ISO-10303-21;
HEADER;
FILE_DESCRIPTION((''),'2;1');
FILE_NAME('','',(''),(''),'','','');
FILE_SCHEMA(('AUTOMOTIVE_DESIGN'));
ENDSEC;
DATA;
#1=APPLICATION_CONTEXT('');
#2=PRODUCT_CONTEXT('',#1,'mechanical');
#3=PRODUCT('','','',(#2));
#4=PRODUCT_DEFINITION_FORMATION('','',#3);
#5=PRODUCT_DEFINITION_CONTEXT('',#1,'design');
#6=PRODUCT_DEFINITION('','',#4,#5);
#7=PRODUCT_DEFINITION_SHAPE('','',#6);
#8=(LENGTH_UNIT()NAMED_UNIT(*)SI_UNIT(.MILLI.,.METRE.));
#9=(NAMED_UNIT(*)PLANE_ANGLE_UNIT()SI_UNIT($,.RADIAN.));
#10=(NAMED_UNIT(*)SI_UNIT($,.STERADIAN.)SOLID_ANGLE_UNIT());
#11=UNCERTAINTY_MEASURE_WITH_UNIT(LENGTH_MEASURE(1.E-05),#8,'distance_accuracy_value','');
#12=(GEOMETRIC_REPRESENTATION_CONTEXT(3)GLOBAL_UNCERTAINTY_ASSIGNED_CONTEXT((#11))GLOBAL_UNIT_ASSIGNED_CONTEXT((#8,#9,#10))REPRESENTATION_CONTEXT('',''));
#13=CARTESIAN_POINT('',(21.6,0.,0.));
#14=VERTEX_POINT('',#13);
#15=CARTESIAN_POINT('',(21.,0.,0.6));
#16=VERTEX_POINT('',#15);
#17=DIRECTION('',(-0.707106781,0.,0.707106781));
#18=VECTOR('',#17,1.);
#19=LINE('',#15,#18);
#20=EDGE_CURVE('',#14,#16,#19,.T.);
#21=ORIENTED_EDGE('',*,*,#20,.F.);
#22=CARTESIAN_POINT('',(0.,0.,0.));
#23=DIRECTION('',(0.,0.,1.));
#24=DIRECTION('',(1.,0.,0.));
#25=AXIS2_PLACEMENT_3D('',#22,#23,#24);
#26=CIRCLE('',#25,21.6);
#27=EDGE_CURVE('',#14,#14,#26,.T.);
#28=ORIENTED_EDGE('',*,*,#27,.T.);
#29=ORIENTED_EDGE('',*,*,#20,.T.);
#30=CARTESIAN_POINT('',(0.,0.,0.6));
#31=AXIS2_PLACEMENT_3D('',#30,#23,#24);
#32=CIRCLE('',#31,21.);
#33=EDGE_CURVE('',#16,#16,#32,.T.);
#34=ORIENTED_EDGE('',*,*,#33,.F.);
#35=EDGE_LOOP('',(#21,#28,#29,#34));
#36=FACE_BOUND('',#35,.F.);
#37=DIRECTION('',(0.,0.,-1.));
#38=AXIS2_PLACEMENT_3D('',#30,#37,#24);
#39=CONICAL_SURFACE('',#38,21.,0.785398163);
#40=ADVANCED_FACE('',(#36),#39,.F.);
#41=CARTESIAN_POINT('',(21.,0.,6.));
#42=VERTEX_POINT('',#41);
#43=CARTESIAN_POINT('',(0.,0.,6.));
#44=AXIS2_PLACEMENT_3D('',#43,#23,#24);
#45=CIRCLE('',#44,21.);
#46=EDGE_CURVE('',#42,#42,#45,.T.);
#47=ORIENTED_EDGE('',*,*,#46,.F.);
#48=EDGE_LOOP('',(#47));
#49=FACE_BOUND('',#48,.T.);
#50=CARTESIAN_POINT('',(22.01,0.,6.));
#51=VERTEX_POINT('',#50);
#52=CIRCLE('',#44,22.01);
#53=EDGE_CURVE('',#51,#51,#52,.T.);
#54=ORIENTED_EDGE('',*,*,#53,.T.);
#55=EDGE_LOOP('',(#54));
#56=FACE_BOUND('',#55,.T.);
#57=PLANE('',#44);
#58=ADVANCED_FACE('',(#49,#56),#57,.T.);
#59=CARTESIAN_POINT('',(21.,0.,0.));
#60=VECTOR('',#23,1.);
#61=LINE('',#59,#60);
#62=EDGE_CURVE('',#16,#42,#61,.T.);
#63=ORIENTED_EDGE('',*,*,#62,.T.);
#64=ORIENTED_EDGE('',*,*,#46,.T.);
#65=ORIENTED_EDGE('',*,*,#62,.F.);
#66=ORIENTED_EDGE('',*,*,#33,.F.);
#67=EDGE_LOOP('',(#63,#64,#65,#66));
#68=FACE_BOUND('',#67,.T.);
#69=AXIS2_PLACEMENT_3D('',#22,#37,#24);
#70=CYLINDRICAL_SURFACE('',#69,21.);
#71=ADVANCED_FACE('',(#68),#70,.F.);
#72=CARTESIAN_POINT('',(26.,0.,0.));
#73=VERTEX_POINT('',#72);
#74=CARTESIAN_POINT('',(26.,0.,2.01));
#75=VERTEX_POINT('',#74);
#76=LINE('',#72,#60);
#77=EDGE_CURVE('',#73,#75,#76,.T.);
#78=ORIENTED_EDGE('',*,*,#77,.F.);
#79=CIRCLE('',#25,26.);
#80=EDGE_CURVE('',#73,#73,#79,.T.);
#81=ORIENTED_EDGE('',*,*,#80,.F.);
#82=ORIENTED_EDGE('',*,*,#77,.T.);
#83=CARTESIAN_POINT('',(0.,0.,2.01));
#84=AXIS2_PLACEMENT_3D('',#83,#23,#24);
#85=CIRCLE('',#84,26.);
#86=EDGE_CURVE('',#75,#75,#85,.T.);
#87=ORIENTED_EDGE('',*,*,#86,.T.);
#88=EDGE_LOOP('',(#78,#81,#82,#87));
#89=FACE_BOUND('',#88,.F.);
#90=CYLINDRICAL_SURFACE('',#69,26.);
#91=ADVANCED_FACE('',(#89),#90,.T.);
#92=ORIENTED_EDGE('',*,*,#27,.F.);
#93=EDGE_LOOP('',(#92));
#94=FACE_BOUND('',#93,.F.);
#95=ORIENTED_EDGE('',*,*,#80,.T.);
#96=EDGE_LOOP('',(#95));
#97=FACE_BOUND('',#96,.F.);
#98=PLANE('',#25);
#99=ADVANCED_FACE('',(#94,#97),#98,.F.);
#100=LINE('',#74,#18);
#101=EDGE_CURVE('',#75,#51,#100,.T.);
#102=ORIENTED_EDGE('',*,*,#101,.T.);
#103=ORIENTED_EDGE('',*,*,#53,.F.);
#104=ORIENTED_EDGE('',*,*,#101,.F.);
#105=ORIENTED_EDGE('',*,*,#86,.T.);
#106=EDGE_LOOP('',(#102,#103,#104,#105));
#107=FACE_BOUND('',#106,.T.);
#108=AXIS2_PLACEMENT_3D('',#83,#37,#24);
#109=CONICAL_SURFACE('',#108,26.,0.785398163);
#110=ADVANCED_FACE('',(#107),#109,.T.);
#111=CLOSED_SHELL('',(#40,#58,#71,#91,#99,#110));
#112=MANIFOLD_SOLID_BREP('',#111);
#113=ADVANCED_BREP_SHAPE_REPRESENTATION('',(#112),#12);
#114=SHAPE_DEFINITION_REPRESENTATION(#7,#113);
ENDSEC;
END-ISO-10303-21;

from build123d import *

# Parameters (mm, degrees)
SKETCH052_R     = 26
SKETCH052_R_2   = 21
PAD034_DEPTH    = 6
CHAMFER016_SIZE = 3.99
CHAMFER017_SIZE = 0.6


with BuildPart() as part:
    # Sketch052 (on XY_Plane016 of Origin031) → Pad034 (new body)
    with BuildSketch(Plane.XY):
        Circle(SKETCH052_R)
        Circle(SKETCH052_R_2, mode=Mode.SUBTRACT)
    extrude(amount=PAD034_DEPTH)

    # Chamfer016
    chamfer016_edges = [part.edges().sort_by_distance(p)[0] for p in [
        (-26, 0, 6),
    ]]
    chamfer(chamfer016_edges, length=CHAMFER016_SIZE)

    # Chamfer017
    chamfer017_edges = [part.edges().sort_by_distance(p)[0] for p in [
        (-21, 0, 0),
    ]]
    chamfer(chamfer017_edges, length=CHAMFER017_SIZE)


solid = part.part
